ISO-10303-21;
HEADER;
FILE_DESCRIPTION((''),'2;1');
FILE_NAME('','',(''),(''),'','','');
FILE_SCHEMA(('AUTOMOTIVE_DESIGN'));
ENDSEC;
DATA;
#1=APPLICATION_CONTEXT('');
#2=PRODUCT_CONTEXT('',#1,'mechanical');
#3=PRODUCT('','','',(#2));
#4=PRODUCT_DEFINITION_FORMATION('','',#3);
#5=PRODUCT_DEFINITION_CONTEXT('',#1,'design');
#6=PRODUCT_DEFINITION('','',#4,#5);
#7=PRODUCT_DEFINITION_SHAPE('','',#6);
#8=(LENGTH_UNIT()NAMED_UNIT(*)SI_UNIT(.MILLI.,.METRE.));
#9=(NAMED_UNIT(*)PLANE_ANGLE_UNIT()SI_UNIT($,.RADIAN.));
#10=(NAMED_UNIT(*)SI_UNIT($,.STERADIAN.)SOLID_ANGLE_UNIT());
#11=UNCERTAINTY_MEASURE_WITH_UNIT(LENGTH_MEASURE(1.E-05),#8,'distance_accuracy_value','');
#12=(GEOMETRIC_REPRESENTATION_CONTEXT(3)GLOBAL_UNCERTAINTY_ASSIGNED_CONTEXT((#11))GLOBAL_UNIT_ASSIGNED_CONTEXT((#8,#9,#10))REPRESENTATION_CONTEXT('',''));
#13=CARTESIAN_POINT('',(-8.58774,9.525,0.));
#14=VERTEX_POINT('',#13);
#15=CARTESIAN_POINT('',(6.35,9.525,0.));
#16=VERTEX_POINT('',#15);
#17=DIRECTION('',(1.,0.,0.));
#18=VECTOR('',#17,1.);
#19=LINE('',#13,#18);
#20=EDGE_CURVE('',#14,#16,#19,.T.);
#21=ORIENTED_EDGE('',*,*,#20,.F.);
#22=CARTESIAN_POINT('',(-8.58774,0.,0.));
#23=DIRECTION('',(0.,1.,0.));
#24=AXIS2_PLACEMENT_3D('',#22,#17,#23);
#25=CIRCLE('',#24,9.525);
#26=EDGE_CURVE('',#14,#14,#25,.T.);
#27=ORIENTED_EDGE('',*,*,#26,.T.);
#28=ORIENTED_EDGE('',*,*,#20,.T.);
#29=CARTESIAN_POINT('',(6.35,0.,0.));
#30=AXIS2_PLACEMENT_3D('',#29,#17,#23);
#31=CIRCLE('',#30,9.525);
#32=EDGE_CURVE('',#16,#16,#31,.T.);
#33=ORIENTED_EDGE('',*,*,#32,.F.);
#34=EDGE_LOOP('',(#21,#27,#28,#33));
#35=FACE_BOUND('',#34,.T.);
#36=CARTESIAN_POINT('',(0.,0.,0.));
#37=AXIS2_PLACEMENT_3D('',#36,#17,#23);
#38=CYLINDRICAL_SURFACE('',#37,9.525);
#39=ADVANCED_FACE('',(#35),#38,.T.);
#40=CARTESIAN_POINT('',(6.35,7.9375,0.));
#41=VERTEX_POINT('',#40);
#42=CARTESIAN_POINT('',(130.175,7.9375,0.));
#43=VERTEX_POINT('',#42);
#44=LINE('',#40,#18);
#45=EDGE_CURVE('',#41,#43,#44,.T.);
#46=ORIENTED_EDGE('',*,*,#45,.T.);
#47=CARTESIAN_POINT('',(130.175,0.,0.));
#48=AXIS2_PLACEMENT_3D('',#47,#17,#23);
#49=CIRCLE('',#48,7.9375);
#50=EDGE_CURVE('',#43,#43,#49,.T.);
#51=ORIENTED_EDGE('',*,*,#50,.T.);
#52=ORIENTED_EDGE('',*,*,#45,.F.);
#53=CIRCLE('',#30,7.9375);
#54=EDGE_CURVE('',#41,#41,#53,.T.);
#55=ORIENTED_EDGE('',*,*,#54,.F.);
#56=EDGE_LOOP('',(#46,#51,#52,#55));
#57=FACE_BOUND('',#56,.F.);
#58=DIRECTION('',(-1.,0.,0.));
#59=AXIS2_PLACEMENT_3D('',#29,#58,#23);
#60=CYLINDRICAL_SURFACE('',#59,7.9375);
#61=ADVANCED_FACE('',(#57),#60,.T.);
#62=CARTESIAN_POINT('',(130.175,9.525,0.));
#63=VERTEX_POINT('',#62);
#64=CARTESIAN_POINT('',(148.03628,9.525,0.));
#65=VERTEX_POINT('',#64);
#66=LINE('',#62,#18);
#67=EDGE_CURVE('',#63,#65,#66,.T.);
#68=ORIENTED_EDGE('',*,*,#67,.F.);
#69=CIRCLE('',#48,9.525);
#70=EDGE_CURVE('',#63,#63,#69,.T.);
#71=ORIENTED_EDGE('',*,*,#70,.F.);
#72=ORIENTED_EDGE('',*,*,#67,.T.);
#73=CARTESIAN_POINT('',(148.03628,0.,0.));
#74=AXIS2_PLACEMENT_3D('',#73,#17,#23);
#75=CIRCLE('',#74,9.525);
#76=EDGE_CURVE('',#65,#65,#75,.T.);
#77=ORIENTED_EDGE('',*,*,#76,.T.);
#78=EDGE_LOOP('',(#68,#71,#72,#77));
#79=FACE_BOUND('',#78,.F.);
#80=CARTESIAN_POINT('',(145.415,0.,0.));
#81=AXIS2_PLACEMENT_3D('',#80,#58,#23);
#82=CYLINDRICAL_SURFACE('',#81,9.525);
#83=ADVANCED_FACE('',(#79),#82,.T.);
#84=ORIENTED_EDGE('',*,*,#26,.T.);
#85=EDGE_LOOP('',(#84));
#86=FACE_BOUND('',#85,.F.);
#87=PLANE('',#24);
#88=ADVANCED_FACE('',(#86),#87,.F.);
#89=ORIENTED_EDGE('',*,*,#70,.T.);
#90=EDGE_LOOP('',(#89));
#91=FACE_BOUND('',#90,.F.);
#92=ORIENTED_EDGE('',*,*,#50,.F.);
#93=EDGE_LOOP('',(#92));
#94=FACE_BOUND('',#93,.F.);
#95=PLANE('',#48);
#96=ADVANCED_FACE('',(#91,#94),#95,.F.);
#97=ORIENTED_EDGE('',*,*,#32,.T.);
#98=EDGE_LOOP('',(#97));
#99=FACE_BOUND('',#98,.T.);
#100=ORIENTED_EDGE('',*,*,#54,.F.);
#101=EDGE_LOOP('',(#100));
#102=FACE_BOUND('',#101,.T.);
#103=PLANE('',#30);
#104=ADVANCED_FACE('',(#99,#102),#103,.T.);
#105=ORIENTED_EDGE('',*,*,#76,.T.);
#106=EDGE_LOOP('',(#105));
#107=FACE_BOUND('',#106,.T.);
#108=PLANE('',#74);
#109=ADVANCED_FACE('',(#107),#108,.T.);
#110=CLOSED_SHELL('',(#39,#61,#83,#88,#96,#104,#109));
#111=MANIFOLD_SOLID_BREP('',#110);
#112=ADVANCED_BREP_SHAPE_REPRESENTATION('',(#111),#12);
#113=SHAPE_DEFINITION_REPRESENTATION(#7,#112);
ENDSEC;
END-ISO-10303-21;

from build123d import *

# Parameters (mm, degrees)
F0_R          = 9.525
F1_DEPTH      = 6.35
F1_DEPTH_BACK = 8.58774
F2_R          = 7.9375
F3_DEPTH      = 123.825
F4_R          = 9.525
F5_DEPTH      = 15.24
F6_DEPTH      = 2.62128


with BuildPart() as f1:
    # F0 (on Right) → F1 (new body, two sides)
    with BuildSketch(Plane.YZ) as f1_sk:
        Circle(F0_R)
    extrude(amount=F1_DEPTH)
    extrude(f1_sk.sketch, amount=-F1_DEPTH_BACK)

    # F2 (on face) → F3 (join)
    with BuildSketch(Plane.YZ.offset(6.35)):
        Circle(F2_R)
    extrude(amount=F3_DEPTH)

    # F4 (on face) → F5 (join)
    with BuildSketch(Plane.YZ.offset(130.175)):
        Circle(F4_R)
    extrude(amount=F5_DEPTH)

    # F6 (add): a face of the model
    f6_faces = [f1.faces().sort_by_distance(p)[0] for p in [
        (145.415, 0, 0),
    ]]
    extrude(f6_faces, amount=F6_DEPTH)


solid = f1.part
